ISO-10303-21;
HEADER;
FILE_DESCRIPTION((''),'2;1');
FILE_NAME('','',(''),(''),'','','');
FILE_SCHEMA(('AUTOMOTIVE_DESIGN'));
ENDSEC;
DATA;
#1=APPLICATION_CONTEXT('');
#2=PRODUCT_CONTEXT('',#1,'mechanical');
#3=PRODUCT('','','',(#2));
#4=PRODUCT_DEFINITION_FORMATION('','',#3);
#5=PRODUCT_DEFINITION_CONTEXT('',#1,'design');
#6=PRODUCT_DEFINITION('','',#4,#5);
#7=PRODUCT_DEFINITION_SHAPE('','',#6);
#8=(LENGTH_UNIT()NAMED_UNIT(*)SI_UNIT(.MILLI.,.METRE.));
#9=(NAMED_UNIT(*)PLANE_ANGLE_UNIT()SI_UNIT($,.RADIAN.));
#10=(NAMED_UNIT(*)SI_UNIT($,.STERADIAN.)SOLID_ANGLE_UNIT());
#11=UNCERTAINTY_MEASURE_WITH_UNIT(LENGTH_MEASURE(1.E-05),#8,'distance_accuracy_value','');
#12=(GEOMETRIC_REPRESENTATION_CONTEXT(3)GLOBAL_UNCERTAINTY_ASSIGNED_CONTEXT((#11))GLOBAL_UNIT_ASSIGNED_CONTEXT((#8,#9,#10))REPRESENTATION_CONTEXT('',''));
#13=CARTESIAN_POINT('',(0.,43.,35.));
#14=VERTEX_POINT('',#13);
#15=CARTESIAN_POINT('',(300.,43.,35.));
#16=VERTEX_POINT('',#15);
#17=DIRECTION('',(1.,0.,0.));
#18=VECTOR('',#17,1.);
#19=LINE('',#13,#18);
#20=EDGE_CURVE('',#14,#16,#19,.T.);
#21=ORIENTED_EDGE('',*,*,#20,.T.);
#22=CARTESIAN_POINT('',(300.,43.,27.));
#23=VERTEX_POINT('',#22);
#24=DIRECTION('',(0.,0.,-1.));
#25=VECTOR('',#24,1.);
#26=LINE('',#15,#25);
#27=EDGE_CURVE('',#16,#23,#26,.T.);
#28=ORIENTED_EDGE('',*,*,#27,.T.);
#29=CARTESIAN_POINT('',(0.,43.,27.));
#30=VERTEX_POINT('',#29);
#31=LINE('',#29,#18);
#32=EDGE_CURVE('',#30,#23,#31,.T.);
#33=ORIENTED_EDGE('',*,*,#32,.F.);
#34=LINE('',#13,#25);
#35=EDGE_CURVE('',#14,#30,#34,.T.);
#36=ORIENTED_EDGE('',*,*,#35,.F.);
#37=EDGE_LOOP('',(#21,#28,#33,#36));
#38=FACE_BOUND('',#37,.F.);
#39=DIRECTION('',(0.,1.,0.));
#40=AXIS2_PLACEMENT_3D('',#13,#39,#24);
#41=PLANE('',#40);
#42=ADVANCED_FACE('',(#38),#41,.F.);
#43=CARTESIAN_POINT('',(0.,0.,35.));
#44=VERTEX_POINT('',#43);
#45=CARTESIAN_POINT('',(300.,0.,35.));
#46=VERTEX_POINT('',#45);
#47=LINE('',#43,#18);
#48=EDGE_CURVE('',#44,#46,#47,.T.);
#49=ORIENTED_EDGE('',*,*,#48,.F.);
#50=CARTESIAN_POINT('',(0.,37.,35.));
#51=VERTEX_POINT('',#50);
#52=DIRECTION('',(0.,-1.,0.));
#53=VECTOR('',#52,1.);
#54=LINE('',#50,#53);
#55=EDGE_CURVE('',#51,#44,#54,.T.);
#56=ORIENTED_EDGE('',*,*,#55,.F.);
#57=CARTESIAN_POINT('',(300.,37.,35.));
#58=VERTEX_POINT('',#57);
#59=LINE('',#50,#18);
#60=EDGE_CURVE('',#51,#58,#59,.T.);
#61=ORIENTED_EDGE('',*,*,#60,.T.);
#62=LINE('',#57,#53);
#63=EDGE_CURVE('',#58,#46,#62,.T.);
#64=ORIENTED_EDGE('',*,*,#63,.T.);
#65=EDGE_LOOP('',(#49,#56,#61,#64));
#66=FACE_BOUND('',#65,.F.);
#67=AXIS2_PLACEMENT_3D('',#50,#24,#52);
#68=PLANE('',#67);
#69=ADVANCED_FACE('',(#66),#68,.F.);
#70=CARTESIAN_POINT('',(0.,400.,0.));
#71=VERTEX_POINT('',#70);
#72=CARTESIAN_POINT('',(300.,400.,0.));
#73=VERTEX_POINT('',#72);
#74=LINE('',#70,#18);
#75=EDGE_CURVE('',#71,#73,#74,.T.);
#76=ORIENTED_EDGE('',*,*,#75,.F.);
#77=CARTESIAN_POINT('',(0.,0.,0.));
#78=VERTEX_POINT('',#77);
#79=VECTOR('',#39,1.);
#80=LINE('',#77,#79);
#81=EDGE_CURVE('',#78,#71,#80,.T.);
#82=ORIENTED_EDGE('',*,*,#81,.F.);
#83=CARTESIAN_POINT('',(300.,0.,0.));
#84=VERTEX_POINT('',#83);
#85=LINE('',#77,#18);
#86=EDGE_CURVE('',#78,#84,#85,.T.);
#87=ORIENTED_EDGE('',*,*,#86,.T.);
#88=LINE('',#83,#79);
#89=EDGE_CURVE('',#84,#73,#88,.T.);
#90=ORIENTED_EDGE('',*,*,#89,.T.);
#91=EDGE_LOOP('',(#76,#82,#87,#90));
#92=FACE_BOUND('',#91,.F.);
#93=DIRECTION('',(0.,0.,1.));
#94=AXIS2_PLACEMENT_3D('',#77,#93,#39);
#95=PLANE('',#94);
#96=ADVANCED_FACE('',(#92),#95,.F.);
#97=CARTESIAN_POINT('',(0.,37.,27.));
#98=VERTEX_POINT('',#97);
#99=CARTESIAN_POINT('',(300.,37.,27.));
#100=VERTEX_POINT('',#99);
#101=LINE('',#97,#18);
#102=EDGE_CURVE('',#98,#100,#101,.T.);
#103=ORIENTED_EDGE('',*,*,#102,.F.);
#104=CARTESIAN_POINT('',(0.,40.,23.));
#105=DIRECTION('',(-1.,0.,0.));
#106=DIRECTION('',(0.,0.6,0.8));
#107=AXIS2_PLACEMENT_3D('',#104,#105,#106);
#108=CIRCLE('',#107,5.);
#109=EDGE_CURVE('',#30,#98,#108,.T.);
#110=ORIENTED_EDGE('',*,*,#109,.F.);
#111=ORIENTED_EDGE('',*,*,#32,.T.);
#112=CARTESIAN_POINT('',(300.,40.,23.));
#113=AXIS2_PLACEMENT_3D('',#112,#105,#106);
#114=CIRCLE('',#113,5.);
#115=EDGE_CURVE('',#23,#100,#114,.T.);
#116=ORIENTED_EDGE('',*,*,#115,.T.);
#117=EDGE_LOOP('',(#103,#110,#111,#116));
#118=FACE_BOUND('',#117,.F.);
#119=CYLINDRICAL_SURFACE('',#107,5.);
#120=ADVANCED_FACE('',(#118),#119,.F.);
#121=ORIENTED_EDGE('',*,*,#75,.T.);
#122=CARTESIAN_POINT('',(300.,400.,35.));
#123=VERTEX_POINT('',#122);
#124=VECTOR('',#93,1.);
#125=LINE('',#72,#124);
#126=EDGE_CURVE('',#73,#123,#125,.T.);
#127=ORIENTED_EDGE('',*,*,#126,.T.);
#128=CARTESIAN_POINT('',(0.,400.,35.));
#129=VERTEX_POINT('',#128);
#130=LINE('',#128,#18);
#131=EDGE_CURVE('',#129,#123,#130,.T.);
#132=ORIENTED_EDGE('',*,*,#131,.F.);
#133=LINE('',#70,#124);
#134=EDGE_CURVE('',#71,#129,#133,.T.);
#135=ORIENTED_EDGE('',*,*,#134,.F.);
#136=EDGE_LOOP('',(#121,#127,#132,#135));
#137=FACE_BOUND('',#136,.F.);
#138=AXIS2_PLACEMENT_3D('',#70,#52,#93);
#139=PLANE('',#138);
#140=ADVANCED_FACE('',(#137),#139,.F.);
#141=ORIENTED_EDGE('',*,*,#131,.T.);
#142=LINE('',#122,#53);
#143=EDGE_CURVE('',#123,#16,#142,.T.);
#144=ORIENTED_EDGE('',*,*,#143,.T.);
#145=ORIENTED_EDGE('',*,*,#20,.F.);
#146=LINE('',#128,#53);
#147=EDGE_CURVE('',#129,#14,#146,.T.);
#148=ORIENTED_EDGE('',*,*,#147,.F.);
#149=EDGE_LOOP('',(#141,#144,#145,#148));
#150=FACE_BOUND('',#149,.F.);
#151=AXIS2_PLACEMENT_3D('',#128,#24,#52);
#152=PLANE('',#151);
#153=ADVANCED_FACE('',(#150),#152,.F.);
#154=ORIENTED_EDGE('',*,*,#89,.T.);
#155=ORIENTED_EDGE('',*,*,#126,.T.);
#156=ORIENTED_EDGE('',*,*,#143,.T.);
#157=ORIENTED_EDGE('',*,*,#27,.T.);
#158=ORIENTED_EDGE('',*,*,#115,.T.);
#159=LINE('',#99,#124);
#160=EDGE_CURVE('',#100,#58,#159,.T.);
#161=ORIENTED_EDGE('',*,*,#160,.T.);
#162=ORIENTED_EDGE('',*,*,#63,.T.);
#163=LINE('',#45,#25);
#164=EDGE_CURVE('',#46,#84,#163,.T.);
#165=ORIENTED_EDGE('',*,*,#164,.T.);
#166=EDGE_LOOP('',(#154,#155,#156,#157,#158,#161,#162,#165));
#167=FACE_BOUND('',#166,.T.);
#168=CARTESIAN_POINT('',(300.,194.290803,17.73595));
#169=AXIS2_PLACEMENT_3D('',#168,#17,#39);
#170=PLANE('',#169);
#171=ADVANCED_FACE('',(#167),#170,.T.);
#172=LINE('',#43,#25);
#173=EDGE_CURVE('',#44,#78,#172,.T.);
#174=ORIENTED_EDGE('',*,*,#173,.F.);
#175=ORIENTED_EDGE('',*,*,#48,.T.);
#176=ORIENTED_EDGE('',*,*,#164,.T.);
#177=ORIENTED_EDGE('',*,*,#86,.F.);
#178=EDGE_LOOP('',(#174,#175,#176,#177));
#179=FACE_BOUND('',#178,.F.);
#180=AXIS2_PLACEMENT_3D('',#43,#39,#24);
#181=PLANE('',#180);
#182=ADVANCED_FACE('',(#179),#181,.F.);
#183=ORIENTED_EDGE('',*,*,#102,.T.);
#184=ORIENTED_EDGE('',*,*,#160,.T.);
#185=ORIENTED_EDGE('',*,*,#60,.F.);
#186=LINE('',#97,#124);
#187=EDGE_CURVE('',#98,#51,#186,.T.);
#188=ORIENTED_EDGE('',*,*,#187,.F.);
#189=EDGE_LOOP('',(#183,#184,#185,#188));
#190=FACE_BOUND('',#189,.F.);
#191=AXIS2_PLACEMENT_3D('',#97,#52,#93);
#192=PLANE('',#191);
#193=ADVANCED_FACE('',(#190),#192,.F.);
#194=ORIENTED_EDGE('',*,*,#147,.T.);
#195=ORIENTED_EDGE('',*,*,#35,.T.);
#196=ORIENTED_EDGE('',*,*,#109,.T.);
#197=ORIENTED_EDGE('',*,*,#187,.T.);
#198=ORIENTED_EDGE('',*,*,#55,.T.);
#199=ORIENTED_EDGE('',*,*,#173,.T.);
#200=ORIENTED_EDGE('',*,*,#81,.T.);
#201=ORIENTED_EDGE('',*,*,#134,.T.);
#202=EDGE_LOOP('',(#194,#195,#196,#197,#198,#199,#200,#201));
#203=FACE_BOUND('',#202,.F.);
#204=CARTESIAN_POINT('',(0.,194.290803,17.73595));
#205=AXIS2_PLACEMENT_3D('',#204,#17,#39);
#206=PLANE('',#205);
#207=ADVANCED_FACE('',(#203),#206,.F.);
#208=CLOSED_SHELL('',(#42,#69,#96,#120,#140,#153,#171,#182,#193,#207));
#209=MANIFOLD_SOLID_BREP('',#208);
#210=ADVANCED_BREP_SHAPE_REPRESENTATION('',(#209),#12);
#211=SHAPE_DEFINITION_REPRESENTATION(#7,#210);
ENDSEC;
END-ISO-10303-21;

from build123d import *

# Parameters (mm, degrees)
F1_DEPTH = 300


with BuildPart() as f1:
    # F0 (on Right) → F1 (new body)
    with BuildSketch(Plane.YZ):
        with BuildLine():
            Line((0, 35), (0, 0))
            Line((0, 0), (400, 0))
            Line((400, 0), (400, 35))
            Line((400, 35), (43, 35))
            Line((43, 35), (43, 27))
            ThreePointArc((43, 27), (40, 18), (37, 27))
            Line((37, 27), (37, 35))
            Line((37, 35), (0, 35))
        make_face()
    extrude(amount=F1_DEPTH)


solid = f1.part
